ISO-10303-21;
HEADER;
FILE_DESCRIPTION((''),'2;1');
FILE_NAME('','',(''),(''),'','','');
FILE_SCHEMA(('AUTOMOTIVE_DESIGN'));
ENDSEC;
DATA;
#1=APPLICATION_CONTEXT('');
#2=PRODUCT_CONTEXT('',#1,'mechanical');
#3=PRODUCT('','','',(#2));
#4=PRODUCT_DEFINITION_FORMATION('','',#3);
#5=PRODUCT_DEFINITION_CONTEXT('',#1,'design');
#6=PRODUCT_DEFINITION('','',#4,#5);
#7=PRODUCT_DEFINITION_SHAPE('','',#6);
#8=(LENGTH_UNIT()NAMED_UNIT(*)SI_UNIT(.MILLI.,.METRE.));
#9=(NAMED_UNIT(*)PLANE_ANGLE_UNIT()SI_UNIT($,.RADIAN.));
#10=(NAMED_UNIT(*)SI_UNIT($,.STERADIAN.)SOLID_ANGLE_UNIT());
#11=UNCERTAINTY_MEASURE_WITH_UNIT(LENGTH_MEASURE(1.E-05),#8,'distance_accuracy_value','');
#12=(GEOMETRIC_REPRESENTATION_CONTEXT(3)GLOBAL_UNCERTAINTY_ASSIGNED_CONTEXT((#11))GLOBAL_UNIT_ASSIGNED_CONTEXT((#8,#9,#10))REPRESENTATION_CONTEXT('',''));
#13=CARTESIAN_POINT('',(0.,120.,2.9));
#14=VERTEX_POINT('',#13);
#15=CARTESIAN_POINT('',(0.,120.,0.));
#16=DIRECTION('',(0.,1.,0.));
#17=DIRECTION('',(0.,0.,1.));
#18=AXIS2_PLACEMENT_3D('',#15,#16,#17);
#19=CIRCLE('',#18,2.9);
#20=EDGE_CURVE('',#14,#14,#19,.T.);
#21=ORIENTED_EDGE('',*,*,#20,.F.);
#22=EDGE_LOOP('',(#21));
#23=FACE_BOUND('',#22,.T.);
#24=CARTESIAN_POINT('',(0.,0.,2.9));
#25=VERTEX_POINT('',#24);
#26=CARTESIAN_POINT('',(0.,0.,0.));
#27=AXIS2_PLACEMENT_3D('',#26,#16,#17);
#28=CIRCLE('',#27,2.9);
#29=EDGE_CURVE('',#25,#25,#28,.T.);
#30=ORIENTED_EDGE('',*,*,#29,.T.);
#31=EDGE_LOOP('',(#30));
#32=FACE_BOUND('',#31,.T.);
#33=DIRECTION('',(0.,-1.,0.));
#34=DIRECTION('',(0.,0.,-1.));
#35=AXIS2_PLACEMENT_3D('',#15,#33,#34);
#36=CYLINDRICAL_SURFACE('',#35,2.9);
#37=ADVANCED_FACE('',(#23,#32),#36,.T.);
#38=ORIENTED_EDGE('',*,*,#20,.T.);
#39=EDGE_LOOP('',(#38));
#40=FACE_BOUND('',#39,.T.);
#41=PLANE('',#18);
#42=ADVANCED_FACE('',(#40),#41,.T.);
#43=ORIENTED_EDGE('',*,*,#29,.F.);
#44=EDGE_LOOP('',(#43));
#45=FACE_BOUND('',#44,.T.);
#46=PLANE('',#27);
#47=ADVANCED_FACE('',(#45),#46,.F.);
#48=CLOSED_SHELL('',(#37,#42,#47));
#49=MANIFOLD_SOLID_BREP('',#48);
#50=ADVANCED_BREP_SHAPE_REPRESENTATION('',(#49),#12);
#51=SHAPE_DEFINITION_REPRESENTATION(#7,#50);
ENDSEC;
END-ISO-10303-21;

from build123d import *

# Parameters (mm, degrees)
SKETCH_1_R      = 2.9
EXTRUDE_1_DEPTH = 120


with BuildPart() as part:
    # 草图1 → 凸台-拉伸1 (new body)
    with BuildSketch(Plane(origin=(0, 0, 0), x_dir=(1, 0, 0), z_dir=(0, 1, 0))):
        with Locations(Location((0, 0, 0), (0, 0, 270))):
            Circle(SKETCH_1_R)
    extrude(amount=EXTRUDE_1_DEPTH)


solid = part.part
